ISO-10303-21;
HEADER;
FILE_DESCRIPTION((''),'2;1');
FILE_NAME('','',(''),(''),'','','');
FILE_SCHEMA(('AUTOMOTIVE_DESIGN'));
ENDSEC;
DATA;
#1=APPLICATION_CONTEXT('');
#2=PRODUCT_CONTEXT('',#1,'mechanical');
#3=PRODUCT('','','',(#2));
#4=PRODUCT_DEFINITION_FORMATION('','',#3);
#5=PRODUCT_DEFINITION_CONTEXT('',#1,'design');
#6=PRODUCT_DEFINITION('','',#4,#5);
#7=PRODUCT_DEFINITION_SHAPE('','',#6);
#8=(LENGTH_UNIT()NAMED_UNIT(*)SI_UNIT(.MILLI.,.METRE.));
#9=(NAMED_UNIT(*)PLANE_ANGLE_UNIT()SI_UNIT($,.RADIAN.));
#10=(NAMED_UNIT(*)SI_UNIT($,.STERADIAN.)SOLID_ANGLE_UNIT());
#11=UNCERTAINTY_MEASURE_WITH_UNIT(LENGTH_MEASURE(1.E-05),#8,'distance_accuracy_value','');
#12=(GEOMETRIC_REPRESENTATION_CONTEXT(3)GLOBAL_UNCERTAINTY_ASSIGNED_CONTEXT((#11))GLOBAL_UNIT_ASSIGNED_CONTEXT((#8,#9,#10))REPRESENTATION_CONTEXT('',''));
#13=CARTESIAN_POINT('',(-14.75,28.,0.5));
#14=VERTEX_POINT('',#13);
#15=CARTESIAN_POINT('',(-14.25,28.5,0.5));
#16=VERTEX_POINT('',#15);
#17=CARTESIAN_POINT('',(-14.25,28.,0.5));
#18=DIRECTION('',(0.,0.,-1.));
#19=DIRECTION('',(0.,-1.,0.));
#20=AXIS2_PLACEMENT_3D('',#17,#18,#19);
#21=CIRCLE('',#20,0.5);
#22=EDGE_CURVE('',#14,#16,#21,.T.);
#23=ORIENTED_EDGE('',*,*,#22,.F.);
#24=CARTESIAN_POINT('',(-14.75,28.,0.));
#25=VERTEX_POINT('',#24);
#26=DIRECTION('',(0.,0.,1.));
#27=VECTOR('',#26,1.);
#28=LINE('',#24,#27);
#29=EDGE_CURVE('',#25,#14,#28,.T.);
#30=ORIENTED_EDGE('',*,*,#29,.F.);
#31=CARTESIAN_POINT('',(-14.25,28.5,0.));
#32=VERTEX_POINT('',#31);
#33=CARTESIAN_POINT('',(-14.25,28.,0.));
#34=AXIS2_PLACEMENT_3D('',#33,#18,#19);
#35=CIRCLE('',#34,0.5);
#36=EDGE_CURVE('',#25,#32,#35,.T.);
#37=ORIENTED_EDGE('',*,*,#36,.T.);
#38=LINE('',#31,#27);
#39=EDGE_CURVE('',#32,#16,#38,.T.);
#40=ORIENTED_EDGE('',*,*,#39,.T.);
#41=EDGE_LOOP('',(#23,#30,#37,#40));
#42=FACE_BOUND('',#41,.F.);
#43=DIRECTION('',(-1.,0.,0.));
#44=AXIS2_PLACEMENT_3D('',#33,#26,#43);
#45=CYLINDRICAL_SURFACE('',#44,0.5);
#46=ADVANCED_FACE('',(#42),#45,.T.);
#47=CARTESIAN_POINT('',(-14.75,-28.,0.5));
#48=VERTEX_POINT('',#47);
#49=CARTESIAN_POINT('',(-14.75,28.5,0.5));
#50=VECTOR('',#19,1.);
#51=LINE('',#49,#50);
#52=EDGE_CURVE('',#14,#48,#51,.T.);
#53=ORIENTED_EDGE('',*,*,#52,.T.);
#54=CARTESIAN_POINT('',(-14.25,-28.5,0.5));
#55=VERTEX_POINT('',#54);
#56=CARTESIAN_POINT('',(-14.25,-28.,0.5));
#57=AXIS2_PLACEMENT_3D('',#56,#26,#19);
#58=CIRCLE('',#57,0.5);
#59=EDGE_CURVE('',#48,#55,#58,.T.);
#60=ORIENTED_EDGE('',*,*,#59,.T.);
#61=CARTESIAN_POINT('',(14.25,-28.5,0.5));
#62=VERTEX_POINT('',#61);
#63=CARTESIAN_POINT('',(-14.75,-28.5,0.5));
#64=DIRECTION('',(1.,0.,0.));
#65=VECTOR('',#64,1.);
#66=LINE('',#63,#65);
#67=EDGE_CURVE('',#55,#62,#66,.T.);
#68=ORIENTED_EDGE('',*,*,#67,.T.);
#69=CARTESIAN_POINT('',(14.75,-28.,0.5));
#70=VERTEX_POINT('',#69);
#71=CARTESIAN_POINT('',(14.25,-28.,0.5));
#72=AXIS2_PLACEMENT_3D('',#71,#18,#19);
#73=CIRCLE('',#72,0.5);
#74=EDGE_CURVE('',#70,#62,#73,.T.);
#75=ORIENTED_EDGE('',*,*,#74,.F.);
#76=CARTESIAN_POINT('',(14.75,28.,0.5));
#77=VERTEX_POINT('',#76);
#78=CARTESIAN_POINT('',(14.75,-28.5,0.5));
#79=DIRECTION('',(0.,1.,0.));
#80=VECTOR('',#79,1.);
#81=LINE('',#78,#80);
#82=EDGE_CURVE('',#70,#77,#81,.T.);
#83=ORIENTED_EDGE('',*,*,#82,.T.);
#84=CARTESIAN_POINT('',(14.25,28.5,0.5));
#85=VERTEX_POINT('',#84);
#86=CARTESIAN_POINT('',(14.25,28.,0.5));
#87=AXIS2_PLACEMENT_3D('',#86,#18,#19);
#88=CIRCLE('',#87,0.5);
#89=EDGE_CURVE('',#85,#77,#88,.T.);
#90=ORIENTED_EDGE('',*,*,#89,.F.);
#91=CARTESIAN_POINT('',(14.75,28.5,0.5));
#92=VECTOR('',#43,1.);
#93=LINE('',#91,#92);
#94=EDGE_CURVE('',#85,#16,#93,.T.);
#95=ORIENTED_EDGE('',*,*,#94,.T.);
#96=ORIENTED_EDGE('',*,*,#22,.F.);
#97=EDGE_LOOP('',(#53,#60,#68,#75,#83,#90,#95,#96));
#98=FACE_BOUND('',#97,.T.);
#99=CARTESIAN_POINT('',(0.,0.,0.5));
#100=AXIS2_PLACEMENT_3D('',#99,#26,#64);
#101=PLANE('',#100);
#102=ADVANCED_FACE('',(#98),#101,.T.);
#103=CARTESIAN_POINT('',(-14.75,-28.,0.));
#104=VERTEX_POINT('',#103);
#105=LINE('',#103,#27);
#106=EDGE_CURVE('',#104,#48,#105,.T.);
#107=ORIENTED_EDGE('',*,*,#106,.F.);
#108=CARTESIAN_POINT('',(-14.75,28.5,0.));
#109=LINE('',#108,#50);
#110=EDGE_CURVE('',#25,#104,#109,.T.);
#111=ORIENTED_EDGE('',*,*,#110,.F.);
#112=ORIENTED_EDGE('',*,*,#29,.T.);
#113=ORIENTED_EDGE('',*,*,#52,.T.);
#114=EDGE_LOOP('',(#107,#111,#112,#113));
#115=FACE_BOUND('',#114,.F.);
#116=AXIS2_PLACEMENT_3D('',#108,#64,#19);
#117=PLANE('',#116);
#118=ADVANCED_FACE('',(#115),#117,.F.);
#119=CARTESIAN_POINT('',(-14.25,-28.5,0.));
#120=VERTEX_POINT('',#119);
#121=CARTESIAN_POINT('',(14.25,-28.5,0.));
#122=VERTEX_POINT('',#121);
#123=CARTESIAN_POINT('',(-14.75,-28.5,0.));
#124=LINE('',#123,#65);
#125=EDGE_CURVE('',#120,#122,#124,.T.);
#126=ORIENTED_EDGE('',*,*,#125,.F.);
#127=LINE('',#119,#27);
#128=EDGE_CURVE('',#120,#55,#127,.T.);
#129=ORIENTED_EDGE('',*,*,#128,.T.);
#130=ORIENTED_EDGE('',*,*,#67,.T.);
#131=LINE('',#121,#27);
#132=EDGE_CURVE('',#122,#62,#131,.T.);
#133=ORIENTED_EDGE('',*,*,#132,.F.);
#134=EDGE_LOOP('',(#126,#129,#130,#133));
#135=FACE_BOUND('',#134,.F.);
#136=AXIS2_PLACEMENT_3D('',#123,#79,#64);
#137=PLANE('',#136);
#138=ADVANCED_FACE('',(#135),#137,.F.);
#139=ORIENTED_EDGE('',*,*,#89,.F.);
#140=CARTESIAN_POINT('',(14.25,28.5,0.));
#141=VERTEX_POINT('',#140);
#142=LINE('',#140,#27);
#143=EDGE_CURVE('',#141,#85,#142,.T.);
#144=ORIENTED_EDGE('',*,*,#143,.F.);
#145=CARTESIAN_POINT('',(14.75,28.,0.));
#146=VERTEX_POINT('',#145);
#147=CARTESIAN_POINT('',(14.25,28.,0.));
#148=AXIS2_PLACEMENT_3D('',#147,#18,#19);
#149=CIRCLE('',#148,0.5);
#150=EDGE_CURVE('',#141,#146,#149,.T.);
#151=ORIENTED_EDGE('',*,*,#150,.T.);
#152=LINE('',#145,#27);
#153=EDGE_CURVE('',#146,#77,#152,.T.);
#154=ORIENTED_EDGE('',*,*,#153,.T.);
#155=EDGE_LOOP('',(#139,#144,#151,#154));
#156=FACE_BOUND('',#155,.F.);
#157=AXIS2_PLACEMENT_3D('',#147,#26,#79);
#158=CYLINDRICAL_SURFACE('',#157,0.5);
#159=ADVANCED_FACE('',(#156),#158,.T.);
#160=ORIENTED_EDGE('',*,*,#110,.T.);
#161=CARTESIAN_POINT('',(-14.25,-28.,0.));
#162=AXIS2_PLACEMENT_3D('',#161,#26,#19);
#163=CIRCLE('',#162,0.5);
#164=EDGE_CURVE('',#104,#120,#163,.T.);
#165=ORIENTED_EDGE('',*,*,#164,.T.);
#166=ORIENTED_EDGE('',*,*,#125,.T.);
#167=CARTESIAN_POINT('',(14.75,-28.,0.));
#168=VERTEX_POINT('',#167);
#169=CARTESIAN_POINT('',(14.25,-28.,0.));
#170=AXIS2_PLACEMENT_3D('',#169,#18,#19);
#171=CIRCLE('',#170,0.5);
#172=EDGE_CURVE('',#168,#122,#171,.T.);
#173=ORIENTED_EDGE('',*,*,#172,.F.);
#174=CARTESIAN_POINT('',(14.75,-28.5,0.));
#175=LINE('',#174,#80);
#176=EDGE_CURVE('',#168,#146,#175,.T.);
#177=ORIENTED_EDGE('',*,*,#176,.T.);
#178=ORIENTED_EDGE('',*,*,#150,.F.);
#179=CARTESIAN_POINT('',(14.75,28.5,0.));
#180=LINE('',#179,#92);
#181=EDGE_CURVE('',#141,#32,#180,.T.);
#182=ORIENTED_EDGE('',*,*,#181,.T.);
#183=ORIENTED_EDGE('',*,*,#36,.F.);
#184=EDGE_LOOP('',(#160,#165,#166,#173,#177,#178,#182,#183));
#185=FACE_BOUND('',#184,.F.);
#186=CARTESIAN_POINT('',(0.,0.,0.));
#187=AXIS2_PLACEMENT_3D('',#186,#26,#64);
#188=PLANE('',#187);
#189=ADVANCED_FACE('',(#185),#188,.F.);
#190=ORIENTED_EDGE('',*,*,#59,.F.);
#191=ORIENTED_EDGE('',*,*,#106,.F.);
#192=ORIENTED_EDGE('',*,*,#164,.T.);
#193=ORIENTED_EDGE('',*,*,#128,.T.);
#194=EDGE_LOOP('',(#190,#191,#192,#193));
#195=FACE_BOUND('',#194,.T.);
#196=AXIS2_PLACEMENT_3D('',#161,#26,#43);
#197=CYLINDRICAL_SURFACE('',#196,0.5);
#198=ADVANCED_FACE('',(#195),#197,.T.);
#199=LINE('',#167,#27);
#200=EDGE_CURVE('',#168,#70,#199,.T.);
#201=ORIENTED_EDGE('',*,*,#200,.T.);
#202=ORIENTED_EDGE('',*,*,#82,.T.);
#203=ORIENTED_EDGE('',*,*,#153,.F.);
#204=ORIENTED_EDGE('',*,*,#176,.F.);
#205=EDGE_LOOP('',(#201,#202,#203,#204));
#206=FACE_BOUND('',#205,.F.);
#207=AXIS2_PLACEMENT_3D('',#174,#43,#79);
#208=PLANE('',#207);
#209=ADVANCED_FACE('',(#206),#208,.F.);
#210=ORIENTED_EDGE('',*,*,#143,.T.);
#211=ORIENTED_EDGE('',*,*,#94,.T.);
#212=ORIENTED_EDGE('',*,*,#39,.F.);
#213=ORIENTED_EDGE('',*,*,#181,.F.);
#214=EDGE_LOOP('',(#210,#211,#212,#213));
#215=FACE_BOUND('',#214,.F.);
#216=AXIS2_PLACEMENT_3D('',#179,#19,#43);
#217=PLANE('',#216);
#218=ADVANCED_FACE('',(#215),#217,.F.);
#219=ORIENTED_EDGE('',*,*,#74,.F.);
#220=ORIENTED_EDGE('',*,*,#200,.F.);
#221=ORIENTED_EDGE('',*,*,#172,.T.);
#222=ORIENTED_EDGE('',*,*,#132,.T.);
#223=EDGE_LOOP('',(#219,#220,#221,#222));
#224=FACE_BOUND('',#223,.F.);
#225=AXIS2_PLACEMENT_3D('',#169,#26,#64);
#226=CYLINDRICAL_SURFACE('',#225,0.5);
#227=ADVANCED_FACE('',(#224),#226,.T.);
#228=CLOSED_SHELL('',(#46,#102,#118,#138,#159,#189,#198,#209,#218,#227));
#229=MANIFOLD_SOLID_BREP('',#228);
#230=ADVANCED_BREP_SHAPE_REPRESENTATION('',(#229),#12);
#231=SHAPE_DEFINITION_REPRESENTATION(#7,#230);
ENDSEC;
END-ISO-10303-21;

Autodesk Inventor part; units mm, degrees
ref_plane "YZ Plane" through (0, 0, 0) normal (1, 0, 0) x (0, 1, 0)
ref_plane "XZ Plane" through (0, 0, 0) normal (0, 1, 0) x (-1, 0, 0)
ref_plane "XY Plane" through (0, 0, 0) normal (0, 0, 1) x (1, 0, 0)
sketch "Sketch1" plane through (0, 0, 0) normal (0, 0, 1) x (1, 0, 0)
  line L0 (-14.75, -28.5) -> (14.75, -28.5)
  line L1 (14.75, -28.5) -> (14.75, 28.5)
  line L2 (14.75, 28.5) -> (-14.75, 28.5)
  line L3 (-14.75, 28.5) -> (-14.75, -28.5)
  line L4 (-14.75, -28.5) -> (14.75, 28.5) construction
  line L5 (14.75, -28.5) -> (-14.75, 28.5) construction
  point P0 (0, 0)
  dimension "d0" = 29.5
  dimension "d1" = 57
extrude "Extrusion1" add sketch "Sketch1" along normal blind 0.5
fillet "Fillet1" radius 0.5 4 edges at (-14.75, -28.5, 0.25) (14.75, -28.5, 0.25) (14.75, 28.5, 0.25) (-14.75, 28.5, 0.25)
sketch "Sketch3" plane through (0, 0, 0.5) normal (0, 0, 1) x (1, 0, 0)
  arc A0 (-14.25, 28.5) -> (-14.75, 28) centre (-14.25, 28) ccw projected
  line L0 (-14.75, 28) -> (-14.75, -28) projected
  arc A1 (-14.75, -28) -> (-14.25, -28.5) centre (-14.25, -28) ccw projected
  line L1 (-14.25, -28.5) -> (14.25, -28.5) projected
  arc A2 (14.25, -28.5) -> (14.75, -28) centre (14.25, -28) ccw projected
  line L2 (14.75, -28) -> (14.75, 28) projected
  arc A3 (14.75, 28) -> (14.25, 28.5) centre (14.25, 28) ccw projected
  line L3 (14.25, 28.5) -> (-14.25, 28.5) projected
  point P0 (0, 0)
properties part number "oled_mask"
